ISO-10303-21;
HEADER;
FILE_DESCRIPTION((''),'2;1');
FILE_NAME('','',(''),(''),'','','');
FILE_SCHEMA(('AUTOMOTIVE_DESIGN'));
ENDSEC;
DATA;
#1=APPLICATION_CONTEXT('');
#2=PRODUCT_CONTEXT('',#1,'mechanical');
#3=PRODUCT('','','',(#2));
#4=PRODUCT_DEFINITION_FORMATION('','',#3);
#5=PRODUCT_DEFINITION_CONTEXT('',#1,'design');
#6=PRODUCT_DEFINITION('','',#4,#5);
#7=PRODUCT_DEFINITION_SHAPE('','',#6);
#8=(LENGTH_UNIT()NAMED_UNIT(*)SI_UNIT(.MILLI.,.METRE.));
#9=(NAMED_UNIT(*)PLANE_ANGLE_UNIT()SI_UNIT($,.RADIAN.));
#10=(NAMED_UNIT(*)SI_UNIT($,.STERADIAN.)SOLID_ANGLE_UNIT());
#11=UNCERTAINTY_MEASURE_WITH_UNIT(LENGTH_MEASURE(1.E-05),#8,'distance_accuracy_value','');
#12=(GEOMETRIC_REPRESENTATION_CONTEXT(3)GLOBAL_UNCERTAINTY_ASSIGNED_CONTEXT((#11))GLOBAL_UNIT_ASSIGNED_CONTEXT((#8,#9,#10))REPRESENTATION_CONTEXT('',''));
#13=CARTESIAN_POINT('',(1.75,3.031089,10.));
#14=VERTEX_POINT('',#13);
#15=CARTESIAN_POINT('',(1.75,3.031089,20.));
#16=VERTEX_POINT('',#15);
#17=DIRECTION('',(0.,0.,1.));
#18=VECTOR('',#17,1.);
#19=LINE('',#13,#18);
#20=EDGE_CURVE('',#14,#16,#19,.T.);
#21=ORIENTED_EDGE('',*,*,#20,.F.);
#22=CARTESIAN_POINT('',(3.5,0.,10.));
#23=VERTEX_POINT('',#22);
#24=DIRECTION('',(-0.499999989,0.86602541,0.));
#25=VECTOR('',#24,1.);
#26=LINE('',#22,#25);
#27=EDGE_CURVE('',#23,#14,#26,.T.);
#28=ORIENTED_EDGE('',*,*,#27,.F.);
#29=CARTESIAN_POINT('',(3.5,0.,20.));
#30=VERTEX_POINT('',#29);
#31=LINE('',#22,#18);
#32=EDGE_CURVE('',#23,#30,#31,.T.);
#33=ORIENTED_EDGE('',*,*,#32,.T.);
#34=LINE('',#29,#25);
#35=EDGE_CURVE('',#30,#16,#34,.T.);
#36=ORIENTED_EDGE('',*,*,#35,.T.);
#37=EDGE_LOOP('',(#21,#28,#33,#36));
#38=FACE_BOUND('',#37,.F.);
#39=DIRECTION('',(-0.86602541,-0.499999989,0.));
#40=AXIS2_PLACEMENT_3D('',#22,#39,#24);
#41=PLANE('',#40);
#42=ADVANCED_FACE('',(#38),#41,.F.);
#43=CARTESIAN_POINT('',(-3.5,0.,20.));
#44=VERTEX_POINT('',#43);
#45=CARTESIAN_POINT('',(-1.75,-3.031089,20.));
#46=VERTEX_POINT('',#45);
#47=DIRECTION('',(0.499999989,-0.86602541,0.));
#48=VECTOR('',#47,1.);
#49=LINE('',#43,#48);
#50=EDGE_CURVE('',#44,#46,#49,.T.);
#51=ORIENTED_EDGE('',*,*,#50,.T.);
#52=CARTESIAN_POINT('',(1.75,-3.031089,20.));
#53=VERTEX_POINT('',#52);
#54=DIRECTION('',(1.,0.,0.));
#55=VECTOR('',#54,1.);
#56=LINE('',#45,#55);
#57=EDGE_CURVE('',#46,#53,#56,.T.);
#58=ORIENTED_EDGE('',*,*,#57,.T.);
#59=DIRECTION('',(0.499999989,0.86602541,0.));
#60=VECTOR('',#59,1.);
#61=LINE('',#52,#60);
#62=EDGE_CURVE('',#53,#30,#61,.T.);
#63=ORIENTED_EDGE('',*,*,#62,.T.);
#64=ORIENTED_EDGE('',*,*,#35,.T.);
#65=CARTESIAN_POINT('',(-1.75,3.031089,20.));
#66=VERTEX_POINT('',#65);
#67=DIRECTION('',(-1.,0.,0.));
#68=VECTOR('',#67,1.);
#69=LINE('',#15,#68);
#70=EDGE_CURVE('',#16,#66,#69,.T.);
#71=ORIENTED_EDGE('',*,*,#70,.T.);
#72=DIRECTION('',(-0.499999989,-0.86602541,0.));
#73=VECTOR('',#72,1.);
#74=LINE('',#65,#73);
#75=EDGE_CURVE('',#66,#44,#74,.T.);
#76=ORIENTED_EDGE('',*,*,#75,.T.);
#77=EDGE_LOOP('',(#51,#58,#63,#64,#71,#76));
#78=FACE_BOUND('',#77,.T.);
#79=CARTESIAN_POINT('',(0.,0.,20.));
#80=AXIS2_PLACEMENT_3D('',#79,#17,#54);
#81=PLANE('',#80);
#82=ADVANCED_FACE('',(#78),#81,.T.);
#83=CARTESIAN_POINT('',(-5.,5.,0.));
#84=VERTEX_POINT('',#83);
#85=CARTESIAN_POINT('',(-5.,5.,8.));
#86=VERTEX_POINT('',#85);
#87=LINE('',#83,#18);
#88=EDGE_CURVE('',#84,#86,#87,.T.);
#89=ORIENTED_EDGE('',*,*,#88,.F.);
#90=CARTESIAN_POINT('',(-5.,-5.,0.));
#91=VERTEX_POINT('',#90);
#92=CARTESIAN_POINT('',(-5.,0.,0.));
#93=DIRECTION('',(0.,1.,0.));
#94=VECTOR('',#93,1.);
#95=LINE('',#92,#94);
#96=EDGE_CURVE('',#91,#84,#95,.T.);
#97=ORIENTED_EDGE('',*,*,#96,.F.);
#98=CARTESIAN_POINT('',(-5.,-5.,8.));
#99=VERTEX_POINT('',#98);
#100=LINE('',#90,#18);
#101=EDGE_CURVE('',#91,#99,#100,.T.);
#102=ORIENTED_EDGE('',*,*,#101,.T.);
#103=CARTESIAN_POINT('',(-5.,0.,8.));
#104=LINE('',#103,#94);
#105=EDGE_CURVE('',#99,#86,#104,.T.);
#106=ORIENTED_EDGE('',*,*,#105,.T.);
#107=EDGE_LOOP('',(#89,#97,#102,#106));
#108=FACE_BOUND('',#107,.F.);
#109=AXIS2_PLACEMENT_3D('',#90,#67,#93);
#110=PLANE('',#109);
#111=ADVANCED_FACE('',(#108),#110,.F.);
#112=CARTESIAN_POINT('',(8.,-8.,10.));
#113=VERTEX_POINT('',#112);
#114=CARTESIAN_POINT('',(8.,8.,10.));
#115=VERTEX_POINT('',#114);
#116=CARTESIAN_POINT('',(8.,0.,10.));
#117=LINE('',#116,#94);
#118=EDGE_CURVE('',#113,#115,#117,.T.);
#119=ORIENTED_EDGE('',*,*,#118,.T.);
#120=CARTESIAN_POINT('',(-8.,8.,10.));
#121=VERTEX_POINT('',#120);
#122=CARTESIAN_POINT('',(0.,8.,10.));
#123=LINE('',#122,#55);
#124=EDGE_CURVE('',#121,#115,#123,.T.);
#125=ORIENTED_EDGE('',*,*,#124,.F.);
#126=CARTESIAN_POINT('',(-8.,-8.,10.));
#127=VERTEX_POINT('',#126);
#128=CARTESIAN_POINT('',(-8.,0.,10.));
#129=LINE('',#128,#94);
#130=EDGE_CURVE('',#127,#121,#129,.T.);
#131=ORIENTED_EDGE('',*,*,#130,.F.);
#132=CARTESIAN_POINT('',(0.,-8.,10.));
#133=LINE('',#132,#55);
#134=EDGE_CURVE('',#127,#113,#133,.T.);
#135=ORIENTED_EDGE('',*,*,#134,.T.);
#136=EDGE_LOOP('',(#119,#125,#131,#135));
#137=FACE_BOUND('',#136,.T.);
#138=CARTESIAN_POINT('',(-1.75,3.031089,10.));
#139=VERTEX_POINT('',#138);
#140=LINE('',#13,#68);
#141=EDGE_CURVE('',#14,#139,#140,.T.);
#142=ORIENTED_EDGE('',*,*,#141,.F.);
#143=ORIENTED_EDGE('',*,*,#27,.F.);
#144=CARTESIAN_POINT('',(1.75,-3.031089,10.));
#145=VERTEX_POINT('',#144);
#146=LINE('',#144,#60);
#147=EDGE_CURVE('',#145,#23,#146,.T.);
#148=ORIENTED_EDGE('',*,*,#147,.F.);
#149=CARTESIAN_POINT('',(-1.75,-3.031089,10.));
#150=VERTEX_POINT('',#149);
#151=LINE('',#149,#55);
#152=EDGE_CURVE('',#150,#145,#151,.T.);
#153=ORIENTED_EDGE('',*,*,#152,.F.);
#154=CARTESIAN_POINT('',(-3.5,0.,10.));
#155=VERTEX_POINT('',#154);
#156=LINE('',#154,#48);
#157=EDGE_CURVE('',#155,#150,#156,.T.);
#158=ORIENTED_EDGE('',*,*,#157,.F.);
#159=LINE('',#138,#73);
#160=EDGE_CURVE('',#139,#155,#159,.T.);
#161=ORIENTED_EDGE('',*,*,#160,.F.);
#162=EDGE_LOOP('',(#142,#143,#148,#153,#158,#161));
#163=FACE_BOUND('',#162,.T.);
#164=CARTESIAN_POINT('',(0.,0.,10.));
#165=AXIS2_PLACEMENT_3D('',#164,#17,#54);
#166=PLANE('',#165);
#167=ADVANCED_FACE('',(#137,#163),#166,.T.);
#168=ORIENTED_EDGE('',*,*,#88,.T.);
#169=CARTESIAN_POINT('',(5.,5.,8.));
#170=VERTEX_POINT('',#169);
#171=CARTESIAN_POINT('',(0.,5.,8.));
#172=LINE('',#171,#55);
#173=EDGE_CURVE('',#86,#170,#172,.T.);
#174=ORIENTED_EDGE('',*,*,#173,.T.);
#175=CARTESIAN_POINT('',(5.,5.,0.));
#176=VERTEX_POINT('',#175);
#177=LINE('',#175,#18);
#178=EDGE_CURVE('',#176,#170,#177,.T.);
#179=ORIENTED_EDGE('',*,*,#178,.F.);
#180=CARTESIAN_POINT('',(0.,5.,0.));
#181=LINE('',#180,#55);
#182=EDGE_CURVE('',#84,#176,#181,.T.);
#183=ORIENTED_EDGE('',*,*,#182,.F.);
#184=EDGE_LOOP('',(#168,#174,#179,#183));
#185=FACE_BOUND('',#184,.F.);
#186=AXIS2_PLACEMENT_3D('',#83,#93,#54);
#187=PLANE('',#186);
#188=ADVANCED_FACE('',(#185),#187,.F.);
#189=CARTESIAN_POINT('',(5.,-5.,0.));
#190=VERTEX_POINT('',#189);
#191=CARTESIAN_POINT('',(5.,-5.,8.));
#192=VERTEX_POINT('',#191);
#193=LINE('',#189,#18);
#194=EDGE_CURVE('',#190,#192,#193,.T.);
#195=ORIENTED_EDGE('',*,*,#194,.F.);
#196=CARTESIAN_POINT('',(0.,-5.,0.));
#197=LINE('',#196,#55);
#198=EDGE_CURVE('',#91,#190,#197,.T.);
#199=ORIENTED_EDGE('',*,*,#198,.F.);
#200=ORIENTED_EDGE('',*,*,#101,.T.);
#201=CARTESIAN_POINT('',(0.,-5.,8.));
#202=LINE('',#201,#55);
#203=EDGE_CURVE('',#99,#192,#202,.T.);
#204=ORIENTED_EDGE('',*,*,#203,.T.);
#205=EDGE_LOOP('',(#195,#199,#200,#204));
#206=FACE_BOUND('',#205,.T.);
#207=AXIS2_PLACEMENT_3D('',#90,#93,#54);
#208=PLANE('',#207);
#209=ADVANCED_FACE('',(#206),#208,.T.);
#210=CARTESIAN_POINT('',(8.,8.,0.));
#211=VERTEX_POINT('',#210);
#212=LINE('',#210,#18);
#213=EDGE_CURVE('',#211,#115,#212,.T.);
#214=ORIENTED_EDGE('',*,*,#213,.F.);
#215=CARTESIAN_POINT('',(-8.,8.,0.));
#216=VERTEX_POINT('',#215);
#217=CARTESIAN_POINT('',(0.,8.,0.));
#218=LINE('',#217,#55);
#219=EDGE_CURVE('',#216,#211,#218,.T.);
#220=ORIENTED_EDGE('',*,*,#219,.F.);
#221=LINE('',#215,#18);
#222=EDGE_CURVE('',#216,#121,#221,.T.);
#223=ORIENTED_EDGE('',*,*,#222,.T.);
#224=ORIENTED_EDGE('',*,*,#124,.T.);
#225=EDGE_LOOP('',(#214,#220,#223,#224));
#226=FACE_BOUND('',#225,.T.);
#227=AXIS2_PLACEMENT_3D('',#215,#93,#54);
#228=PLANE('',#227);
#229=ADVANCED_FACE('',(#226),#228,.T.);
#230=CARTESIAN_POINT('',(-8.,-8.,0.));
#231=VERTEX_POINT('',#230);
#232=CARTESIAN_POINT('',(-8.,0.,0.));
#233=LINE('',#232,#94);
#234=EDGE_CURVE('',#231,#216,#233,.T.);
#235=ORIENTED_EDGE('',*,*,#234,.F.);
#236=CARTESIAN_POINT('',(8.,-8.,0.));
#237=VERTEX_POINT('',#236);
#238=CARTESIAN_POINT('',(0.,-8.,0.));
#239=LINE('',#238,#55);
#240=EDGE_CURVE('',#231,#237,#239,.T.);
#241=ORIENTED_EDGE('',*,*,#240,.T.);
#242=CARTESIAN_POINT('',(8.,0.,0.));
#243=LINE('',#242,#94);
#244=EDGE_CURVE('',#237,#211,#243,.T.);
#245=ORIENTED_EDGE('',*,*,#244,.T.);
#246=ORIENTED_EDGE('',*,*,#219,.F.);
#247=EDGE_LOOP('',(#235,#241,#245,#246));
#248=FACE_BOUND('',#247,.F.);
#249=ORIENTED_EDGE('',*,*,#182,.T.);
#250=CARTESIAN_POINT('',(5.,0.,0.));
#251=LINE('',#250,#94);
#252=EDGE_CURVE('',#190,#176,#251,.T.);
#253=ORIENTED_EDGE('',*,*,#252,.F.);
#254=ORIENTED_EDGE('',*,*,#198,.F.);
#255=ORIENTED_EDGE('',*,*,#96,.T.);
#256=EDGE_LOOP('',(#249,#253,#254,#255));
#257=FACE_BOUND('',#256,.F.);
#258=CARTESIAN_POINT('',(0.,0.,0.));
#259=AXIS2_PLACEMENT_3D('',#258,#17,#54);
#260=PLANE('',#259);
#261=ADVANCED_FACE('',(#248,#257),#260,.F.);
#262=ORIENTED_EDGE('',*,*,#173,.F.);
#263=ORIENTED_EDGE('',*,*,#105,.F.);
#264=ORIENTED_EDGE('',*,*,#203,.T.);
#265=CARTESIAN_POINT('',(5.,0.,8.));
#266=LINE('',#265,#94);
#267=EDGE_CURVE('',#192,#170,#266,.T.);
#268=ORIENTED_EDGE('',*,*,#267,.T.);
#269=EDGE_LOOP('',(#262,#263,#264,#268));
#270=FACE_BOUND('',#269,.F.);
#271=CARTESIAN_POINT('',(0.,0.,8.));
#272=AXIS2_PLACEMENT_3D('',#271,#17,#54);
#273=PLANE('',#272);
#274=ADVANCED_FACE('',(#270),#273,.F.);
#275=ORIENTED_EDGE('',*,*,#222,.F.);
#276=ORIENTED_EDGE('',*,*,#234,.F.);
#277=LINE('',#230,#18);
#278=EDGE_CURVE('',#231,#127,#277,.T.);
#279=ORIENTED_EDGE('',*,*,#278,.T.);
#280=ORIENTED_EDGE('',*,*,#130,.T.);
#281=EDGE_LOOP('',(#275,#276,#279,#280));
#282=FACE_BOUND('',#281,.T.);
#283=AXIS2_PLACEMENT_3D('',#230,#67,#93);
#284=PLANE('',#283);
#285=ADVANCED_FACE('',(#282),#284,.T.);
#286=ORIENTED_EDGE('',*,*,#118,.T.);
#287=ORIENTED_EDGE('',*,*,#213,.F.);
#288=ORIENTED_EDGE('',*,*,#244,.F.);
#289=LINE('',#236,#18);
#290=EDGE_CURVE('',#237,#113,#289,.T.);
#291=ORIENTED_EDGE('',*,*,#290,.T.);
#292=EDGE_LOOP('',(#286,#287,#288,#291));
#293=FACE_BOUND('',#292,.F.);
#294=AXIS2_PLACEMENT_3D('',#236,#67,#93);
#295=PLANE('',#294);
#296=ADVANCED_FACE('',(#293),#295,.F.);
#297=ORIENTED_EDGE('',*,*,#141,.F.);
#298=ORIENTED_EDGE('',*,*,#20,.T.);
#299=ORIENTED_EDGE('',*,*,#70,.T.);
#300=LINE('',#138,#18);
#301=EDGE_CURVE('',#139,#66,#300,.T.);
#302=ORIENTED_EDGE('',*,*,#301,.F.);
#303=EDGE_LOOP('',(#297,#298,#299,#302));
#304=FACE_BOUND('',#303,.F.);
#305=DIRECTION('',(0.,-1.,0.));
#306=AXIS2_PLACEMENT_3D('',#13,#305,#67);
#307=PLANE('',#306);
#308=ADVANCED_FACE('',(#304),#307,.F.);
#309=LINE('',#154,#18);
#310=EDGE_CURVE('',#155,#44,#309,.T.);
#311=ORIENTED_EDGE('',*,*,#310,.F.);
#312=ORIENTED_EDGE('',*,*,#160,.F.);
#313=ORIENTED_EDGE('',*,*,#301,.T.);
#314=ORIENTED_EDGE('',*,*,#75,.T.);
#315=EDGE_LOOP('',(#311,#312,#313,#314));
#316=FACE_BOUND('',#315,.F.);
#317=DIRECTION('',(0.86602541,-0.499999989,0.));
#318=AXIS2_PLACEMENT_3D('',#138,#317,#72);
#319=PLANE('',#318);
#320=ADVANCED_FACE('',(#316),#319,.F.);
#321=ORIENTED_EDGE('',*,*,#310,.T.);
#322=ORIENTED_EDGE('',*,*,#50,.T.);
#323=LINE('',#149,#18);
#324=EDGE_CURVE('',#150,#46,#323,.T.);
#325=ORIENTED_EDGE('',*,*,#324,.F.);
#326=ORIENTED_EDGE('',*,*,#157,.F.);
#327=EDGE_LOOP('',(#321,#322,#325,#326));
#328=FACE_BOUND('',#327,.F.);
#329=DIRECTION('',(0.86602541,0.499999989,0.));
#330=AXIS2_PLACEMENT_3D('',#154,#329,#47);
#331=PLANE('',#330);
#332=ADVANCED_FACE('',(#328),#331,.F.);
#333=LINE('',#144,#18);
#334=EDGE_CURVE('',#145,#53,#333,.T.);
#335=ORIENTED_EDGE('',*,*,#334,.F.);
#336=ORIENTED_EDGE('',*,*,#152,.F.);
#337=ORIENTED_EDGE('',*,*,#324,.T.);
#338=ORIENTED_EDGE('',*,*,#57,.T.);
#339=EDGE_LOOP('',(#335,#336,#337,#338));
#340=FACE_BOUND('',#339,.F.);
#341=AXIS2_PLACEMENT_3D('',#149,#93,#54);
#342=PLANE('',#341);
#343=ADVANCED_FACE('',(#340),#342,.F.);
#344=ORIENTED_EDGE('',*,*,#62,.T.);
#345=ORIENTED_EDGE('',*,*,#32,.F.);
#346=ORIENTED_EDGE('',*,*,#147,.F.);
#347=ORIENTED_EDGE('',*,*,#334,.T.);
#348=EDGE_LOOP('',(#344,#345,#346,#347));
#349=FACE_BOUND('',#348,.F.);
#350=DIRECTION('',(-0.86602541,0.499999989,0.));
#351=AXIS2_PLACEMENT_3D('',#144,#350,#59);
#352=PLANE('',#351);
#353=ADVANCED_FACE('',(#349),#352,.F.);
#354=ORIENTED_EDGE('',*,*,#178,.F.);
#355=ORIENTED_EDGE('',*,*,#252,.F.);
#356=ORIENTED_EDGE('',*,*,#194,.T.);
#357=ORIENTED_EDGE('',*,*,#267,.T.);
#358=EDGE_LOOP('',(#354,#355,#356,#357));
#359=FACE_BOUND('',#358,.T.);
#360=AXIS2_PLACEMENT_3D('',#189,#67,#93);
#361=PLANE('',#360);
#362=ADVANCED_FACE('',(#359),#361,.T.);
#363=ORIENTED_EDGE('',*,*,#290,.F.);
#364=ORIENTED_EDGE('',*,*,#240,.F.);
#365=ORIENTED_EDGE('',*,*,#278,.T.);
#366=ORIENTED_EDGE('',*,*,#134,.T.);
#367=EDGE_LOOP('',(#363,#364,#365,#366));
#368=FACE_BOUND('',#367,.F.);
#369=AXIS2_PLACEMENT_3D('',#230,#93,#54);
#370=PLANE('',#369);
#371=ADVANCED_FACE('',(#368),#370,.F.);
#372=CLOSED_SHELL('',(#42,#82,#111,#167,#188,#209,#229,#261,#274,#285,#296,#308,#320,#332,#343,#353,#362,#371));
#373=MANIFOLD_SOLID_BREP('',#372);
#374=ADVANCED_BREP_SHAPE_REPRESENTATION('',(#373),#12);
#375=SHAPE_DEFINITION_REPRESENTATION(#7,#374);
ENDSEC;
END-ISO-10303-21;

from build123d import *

# Parameters (mm, degrees)
BOX001_W      = 10
BOX001_H      = 10
BOX001_DEPTH  = 8
EXTRUDE_DEPTH = 10
BOX_W         = 16
BOX_H         = 16
BOX_DEPTH     = 10


with BuildPart() as cube001:
    # Box001 → Box001 (new body)
    with BuildSketch(Plane(origin=(-5, -5, 0), x_dir=(1, 0, 0), z_dir=(0, 0, 1))):
        with Locations((5, 5)):
            Rectangle(BOX001_W, BOX001_H)
    extrude(amount=BOX001_DEPTH)


with BuildPart() as extrude_body:
    # Sketch → Extrude (new body)
    with BuildSketch(Plane.XY):
        Polygon((-3.5, 0), (-1.75, -3.031089), (1.75, -3.031089), (3.5, 0), (1.75, 3.031089), (-1.75, 3.031089), align=None)
    extrude(amount=EXTRUDE_DEPTH)


with BuildPart() as extrude_body_1:
    # Extrude placement: moved
    add(extrude_body.part.moved(Location((0, 0, 10))))


with BuildPart() as cut:
    # Box → Box (new body)
    with BuildSketch(Plane(origin=(-8, -8, 0), x_dir=(1, 0, 0), z_dir=(0, 0, 1))):
        with Locations((8, 8)):
            Rectangle(BOX_W, BOX_H)
    extrude(amount=BOX_DEPTH)

    # Fusion: union Extrude body
    add(extrude_body_1.part)

    # Cut: cut Cube001
    add(cube001.part, mode=Mode.SUBTRACT)


solid = cut.part
